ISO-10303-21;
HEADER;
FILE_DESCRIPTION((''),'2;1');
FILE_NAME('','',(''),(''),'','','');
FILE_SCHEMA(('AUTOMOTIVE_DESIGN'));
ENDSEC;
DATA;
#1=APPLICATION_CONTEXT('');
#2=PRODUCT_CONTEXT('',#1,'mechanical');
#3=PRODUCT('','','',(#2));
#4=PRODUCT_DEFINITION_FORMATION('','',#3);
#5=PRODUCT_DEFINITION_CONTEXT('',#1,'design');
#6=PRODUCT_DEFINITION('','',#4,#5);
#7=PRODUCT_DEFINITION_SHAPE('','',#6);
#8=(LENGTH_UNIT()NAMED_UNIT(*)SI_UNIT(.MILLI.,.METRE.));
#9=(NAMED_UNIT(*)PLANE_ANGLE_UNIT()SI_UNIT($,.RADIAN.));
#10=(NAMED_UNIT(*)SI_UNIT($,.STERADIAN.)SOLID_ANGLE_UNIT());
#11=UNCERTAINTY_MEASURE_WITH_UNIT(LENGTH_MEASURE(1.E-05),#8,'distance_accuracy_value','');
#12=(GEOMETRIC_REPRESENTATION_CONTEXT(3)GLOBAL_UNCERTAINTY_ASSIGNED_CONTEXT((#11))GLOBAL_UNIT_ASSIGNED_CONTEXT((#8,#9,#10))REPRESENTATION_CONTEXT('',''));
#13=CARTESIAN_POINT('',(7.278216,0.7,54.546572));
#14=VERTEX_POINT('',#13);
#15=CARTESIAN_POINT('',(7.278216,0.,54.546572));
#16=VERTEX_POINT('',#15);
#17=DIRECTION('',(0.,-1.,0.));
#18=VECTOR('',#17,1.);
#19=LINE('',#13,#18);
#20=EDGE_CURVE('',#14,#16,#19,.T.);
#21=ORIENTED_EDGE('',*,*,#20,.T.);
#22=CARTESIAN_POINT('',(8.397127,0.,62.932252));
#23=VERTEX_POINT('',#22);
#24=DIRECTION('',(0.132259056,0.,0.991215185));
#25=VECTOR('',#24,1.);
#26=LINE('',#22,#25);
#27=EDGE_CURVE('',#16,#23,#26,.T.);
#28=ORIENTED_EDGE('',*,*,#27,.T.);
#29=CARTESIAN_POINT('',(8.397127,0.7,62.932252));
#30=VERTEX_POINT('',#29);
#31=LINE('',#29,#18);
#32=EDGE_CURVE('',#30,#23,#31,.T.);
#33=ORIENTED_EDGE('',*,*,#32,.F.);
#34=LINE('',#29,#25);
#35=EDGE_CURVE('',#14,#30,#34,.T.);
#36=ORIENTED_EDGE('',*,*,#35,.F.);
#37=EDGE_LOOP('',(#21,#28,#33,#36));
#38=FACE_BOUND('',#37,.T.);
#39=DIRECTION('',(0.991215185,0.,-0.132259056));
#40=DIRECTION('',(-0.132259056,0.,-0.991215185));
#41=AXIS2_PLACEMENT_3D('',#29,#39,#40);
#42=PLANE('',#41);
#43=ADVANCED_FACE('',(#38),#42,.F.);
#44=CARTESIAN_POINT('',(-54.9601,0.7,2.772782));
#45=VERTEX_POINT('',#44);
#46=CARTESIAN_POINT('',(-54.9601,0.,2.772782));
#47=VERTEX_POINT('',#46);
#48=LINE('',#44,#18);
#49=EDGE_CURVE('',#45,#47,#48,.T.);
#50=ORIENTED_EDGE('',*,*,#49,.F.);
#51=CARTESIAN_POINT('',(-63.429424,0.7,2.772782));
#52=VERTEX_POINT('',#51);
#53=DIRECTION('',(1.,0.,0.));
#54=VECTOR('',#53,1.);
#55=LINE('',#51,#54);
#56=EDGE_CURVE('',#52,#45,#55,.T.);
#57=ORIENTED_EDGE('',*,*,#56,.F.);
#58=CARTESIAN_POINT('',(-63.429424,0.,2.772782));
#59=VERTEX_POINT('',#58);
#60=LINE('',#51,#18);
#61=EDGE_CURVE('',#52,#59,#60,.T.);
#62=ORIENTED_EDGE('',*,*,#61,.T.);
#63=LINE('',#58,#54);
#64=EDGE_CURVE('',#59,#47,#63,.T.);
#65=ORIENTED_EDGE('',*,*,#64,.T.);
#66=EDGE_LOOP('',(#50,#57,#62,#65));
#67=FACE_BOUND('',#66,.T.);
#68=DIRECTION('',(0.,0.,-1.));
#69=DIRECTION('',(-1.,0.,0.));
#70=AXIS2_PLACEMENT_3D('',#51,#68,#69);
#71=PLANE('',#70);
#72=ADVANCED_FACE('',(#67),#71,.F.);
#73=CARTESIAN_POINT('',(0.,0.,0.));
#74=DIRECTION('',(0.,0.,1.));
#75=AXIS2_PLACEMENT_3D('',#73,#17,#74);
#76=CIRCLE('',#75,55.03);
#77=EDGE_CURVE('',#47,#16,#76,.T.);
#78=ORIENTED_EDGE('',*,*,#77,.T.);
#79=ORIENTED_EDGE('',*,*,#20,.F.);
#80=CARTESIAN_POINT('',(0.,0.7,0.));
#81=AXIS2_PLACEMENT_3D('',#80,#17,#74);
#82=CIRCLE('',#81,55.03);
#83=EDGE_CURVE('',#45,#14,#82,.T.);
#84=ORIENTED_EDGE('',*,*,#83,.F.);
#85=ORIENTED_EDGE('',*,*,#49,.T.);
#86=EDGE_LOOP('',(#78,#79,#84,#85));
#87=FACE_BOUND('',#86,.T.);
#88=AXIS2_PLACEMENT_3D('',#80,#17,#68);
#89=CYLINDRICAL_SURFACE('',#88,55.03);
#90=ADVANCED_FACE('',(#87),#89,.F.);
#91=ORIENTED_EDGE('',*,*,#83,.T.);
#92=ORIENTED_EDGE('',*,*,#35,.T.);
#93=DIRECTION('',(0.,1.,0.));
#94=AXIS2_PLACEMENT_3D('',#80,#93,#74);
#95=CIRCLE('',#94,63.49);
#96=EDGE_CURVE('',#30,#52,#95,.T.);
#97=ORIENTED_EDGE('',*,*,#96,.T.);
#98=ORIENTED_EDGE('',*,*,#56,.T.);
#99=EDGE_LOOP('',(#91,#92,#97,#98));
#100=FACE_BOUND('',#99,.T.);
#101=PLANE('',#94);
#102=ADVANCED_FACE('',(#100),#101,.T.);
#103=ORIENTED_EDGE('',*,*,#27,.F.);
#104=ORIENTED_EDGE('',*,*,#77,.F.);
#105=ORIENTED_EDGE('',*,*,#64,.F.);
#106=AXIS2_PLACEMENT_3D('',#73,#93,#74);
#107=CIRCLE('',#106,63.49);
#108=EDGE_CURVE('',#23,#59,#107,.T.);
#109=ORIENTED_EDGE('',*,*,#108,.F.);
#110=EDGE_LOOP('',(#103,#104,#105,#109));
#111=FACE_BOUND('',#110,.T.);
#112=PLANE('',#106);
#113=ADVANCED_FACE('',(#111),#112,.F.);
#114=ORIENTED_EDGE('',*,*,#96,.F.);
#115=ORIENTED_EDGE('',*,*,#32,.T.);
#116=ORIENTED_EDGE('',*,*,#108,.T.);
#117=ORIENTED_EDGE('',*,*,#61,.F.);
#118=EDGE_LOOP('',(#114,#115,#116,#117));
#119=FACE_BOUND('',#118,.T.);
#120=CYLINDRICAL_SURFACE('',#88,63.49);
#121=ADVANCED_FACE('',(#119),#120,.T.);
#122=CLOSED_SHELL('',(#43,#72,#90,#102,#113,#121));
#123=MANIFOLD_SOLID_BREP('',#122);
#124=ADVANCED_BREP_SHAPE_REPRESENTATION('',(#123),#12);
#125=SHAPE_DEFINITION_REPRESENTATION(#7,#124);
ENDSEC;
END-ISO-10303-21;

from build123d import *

# Parameters (mm, degrees)
BOSS_EXTRUDE1_DEPTH = 0.7


with BuildPart() as part:
    # Sketch1 → Boss-Extrude1 (new body)
    with BuildSketch(Plane(origin=(0, 0, 0), x_dir=(1, 0, 0), z_dir=(0, 1, 0))):
        with BuildLine():
            Line((-63.429423616, -2.772781942), (-54.960099893, -2.772781942))
            ThreePointArc((-54.960099893, -2.772781942), (35.192639001, 42.305780458), (7.278215875, -54.546571603))
            Line((7.278215875, -54.546571603), (8.397127492, -62.932252064))
            ThreePointArc((8.397127492, -62.932252064), (40.766761774, 48.672900412), (-63.429423616, -2.772781942))
        make_face()
    extrude(amount=BOSS_EXTRUDE1_DEPTH)


solid = part.part
